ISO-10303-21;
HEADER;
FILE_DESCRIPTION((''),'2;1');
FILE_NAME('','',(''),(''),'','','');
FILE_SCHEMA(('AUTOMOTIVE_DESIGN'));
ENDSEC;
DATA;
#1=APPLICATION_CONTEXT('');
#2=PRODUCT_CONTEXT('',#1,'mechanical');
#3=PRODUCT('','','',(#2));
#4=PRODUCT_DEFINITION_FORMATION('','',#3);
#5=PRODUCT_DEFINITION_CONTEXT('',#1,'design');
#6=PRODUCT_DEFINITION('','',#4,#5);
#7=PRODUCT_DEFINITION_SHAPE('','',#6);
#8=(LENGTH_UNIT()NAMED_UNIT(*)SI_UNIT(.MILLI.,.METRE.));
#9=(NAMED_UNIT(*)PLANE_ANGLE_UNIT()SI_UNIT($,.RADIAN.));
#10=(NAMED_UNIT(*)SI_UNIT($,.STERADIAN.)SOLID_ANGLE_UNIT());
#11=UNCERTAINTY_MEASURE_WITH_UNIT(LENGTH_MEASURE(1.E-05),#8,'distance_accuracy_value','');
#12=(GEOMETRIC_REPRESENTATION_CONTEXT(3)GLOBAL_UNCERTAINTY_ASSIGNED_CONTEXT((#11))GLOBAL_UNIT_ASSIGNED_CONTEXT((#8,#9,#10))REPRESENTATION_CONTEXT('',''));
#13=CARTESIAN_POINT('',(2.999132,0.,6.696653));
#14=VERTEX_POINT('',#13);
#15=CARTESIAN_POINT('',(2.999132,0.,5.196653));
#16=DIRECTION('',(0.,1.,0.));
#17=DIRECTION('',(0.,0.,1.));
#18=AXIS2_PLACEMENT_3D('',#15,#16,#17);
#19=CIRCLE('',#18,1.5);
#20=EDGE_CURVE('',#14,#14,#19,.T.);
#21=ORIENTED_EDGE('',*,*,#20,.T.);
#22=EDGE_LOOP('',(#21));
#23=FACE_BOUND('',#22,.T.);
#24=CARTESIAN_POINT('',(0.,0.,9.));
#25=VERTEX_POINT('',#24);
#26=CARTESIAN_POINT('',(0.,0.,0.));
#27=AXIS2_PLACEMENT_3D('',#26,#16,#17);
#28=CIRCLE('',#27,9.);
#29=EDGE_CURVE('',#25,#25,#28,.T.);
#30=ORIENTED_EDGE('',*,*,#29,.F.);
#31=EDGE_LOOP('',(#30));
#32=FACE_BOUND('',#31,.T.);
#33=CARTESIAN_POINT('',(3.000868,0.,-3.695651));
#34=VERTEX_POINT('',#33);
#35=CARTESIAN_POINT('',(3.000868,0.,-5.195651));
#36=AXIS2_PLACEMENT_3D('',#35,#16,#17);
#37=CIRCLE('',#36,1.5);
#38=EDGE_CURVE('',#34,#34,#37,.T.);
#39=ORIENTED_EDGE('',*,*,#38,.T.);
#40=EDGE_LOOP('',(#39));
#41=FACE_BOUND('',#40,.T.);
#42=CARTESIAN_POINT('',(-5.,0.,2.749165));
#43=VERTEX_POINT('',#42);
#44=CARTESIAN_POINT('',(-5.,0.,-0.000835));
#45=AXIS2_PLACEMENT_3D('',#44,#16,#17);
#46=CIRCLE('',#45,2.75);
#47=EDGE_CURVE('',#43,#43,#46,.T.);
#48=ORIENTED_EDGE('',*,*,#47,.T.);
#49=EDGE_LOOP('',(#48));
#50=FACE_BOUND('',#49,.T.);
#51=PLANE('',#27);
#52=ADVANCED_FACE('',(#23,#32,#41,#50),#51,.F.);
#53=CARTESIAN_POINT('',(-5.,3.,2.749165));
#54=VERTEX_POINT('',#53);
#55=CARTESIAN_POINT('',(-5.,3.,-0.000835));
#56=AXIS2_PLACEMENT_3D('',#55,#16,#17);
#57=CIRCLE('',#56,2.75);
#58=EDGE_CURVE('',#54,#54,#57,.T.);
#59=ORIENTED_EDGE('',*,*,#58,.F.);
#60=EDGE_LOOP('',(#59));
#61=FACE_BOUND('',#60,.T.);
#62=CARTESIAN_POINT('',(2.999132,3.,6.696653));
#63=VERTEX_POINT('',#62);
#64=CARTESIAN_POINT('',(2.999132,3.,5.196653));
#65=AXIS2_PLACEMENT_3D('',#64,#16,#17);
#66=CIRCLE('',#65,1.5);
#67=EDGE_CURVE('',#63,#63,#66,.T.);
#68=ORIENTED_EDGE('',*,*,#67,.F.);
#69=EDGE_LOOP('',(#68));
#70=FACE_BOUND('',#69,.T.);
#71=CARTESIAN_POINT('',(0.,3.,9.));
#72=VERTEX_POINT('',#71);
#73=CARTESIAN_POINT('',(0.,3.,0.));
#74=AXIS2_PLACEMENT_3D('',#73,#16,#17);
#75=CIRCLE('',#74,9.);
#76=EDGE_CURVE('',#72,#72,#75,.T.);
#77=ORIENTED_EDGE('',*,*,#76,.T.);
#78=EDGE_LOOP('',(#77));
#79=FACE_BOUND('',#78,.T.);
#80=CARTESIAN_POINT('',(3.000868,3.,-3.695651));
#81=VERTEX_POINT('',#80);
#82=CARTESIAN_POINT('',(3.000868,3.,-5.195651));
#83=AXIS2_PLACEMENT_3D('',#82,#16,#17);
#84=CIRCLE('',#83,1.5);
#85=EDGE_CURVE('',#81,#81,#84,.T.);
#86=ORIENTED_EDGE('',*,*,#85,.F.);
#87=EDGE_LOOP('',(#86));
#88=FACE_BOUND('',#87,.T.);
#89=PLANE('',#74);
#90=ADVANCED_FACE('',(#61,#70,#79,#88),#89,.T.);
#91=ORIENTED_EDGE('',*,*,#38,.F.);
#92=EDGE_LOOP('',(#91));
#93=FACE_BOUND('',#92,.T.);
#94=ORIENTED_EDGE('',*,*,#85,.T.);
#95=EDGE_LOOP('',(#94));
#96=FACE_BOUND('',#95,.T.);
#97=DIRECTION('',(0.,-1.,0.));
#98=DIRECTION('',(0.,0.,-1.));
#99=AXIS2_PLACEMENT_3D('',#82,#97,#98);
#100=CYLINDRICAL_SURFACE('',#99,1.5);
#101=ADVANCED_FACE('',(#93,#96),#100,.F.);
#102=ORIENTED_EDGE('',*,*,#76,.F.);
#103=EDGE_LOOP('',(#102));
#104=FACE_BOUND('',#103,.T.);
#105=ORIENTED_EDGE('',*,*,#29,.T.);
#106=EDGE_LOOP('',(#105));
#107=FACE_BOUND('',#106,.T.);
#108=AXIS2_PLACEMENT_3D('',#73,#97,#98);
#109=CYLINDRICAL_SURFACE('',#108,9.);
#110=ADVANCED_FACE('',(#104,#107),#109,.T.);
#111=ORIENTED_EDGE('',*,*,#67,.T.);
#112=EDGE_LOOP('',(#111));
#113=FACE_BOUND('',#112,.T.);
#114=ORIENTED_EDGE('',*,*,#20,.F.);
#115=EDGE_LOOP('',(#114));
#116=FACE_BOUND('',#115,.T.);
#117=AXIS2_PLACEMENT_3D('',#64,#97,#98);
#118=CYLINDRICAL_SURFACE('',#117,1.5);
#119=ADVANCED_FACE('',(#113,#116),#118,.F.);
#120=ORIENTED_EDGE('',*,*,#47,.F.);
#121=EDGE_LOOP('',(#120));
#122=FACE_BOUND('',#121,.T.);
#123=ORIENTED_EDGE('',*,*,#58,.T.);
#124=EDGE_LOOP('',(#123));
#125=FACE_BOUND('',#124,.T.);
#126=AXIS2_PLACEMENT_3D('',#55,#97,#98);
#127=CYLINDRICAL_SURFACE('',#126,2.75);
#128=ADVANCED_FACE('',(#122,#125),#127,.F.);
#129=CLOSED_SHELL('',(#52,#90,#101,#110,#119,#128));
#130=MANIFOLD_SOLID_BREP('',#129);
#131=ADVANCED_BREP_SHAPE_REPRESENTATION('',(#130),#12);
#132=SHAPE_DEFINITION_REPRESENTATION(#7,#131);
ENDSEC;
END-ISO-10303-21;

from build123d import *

# Parameters (mm, degrees)
SKETCH1_R           = 9
SKETCH1_R_2         = 1.5
SKETCH1_R_3         = 2.75
BOSS_EXTRUDE1_DEPTH = 3


with BuildPart() as part:
    # Sketch1 → Boss-Extrude1 (new body)
    with BuildSketch(Plane(origin=(0, 0, 0), x_dir=(1, 0, 0), z_dir=(0, 1, 0))):
        Circle(SKETCH1_R)
        with Locations((2.999131959, -5.19665349)):
            Circle(SKETCH1_R_2, mode=Mode.SUBTRACT)
        with Locations((3.000867957, 5.195651211)):
            Circle(SKETCH1_R_2, mode=Mode.SUBTRACT)
        with Locations((-5, 0.000835232)):
            Circle(SKETCH1_R_3, mode=Mode.SUBTRACT)
    extrude(amount=BOSS_EXTRUDE1_DEPTH)


solid = part.part
